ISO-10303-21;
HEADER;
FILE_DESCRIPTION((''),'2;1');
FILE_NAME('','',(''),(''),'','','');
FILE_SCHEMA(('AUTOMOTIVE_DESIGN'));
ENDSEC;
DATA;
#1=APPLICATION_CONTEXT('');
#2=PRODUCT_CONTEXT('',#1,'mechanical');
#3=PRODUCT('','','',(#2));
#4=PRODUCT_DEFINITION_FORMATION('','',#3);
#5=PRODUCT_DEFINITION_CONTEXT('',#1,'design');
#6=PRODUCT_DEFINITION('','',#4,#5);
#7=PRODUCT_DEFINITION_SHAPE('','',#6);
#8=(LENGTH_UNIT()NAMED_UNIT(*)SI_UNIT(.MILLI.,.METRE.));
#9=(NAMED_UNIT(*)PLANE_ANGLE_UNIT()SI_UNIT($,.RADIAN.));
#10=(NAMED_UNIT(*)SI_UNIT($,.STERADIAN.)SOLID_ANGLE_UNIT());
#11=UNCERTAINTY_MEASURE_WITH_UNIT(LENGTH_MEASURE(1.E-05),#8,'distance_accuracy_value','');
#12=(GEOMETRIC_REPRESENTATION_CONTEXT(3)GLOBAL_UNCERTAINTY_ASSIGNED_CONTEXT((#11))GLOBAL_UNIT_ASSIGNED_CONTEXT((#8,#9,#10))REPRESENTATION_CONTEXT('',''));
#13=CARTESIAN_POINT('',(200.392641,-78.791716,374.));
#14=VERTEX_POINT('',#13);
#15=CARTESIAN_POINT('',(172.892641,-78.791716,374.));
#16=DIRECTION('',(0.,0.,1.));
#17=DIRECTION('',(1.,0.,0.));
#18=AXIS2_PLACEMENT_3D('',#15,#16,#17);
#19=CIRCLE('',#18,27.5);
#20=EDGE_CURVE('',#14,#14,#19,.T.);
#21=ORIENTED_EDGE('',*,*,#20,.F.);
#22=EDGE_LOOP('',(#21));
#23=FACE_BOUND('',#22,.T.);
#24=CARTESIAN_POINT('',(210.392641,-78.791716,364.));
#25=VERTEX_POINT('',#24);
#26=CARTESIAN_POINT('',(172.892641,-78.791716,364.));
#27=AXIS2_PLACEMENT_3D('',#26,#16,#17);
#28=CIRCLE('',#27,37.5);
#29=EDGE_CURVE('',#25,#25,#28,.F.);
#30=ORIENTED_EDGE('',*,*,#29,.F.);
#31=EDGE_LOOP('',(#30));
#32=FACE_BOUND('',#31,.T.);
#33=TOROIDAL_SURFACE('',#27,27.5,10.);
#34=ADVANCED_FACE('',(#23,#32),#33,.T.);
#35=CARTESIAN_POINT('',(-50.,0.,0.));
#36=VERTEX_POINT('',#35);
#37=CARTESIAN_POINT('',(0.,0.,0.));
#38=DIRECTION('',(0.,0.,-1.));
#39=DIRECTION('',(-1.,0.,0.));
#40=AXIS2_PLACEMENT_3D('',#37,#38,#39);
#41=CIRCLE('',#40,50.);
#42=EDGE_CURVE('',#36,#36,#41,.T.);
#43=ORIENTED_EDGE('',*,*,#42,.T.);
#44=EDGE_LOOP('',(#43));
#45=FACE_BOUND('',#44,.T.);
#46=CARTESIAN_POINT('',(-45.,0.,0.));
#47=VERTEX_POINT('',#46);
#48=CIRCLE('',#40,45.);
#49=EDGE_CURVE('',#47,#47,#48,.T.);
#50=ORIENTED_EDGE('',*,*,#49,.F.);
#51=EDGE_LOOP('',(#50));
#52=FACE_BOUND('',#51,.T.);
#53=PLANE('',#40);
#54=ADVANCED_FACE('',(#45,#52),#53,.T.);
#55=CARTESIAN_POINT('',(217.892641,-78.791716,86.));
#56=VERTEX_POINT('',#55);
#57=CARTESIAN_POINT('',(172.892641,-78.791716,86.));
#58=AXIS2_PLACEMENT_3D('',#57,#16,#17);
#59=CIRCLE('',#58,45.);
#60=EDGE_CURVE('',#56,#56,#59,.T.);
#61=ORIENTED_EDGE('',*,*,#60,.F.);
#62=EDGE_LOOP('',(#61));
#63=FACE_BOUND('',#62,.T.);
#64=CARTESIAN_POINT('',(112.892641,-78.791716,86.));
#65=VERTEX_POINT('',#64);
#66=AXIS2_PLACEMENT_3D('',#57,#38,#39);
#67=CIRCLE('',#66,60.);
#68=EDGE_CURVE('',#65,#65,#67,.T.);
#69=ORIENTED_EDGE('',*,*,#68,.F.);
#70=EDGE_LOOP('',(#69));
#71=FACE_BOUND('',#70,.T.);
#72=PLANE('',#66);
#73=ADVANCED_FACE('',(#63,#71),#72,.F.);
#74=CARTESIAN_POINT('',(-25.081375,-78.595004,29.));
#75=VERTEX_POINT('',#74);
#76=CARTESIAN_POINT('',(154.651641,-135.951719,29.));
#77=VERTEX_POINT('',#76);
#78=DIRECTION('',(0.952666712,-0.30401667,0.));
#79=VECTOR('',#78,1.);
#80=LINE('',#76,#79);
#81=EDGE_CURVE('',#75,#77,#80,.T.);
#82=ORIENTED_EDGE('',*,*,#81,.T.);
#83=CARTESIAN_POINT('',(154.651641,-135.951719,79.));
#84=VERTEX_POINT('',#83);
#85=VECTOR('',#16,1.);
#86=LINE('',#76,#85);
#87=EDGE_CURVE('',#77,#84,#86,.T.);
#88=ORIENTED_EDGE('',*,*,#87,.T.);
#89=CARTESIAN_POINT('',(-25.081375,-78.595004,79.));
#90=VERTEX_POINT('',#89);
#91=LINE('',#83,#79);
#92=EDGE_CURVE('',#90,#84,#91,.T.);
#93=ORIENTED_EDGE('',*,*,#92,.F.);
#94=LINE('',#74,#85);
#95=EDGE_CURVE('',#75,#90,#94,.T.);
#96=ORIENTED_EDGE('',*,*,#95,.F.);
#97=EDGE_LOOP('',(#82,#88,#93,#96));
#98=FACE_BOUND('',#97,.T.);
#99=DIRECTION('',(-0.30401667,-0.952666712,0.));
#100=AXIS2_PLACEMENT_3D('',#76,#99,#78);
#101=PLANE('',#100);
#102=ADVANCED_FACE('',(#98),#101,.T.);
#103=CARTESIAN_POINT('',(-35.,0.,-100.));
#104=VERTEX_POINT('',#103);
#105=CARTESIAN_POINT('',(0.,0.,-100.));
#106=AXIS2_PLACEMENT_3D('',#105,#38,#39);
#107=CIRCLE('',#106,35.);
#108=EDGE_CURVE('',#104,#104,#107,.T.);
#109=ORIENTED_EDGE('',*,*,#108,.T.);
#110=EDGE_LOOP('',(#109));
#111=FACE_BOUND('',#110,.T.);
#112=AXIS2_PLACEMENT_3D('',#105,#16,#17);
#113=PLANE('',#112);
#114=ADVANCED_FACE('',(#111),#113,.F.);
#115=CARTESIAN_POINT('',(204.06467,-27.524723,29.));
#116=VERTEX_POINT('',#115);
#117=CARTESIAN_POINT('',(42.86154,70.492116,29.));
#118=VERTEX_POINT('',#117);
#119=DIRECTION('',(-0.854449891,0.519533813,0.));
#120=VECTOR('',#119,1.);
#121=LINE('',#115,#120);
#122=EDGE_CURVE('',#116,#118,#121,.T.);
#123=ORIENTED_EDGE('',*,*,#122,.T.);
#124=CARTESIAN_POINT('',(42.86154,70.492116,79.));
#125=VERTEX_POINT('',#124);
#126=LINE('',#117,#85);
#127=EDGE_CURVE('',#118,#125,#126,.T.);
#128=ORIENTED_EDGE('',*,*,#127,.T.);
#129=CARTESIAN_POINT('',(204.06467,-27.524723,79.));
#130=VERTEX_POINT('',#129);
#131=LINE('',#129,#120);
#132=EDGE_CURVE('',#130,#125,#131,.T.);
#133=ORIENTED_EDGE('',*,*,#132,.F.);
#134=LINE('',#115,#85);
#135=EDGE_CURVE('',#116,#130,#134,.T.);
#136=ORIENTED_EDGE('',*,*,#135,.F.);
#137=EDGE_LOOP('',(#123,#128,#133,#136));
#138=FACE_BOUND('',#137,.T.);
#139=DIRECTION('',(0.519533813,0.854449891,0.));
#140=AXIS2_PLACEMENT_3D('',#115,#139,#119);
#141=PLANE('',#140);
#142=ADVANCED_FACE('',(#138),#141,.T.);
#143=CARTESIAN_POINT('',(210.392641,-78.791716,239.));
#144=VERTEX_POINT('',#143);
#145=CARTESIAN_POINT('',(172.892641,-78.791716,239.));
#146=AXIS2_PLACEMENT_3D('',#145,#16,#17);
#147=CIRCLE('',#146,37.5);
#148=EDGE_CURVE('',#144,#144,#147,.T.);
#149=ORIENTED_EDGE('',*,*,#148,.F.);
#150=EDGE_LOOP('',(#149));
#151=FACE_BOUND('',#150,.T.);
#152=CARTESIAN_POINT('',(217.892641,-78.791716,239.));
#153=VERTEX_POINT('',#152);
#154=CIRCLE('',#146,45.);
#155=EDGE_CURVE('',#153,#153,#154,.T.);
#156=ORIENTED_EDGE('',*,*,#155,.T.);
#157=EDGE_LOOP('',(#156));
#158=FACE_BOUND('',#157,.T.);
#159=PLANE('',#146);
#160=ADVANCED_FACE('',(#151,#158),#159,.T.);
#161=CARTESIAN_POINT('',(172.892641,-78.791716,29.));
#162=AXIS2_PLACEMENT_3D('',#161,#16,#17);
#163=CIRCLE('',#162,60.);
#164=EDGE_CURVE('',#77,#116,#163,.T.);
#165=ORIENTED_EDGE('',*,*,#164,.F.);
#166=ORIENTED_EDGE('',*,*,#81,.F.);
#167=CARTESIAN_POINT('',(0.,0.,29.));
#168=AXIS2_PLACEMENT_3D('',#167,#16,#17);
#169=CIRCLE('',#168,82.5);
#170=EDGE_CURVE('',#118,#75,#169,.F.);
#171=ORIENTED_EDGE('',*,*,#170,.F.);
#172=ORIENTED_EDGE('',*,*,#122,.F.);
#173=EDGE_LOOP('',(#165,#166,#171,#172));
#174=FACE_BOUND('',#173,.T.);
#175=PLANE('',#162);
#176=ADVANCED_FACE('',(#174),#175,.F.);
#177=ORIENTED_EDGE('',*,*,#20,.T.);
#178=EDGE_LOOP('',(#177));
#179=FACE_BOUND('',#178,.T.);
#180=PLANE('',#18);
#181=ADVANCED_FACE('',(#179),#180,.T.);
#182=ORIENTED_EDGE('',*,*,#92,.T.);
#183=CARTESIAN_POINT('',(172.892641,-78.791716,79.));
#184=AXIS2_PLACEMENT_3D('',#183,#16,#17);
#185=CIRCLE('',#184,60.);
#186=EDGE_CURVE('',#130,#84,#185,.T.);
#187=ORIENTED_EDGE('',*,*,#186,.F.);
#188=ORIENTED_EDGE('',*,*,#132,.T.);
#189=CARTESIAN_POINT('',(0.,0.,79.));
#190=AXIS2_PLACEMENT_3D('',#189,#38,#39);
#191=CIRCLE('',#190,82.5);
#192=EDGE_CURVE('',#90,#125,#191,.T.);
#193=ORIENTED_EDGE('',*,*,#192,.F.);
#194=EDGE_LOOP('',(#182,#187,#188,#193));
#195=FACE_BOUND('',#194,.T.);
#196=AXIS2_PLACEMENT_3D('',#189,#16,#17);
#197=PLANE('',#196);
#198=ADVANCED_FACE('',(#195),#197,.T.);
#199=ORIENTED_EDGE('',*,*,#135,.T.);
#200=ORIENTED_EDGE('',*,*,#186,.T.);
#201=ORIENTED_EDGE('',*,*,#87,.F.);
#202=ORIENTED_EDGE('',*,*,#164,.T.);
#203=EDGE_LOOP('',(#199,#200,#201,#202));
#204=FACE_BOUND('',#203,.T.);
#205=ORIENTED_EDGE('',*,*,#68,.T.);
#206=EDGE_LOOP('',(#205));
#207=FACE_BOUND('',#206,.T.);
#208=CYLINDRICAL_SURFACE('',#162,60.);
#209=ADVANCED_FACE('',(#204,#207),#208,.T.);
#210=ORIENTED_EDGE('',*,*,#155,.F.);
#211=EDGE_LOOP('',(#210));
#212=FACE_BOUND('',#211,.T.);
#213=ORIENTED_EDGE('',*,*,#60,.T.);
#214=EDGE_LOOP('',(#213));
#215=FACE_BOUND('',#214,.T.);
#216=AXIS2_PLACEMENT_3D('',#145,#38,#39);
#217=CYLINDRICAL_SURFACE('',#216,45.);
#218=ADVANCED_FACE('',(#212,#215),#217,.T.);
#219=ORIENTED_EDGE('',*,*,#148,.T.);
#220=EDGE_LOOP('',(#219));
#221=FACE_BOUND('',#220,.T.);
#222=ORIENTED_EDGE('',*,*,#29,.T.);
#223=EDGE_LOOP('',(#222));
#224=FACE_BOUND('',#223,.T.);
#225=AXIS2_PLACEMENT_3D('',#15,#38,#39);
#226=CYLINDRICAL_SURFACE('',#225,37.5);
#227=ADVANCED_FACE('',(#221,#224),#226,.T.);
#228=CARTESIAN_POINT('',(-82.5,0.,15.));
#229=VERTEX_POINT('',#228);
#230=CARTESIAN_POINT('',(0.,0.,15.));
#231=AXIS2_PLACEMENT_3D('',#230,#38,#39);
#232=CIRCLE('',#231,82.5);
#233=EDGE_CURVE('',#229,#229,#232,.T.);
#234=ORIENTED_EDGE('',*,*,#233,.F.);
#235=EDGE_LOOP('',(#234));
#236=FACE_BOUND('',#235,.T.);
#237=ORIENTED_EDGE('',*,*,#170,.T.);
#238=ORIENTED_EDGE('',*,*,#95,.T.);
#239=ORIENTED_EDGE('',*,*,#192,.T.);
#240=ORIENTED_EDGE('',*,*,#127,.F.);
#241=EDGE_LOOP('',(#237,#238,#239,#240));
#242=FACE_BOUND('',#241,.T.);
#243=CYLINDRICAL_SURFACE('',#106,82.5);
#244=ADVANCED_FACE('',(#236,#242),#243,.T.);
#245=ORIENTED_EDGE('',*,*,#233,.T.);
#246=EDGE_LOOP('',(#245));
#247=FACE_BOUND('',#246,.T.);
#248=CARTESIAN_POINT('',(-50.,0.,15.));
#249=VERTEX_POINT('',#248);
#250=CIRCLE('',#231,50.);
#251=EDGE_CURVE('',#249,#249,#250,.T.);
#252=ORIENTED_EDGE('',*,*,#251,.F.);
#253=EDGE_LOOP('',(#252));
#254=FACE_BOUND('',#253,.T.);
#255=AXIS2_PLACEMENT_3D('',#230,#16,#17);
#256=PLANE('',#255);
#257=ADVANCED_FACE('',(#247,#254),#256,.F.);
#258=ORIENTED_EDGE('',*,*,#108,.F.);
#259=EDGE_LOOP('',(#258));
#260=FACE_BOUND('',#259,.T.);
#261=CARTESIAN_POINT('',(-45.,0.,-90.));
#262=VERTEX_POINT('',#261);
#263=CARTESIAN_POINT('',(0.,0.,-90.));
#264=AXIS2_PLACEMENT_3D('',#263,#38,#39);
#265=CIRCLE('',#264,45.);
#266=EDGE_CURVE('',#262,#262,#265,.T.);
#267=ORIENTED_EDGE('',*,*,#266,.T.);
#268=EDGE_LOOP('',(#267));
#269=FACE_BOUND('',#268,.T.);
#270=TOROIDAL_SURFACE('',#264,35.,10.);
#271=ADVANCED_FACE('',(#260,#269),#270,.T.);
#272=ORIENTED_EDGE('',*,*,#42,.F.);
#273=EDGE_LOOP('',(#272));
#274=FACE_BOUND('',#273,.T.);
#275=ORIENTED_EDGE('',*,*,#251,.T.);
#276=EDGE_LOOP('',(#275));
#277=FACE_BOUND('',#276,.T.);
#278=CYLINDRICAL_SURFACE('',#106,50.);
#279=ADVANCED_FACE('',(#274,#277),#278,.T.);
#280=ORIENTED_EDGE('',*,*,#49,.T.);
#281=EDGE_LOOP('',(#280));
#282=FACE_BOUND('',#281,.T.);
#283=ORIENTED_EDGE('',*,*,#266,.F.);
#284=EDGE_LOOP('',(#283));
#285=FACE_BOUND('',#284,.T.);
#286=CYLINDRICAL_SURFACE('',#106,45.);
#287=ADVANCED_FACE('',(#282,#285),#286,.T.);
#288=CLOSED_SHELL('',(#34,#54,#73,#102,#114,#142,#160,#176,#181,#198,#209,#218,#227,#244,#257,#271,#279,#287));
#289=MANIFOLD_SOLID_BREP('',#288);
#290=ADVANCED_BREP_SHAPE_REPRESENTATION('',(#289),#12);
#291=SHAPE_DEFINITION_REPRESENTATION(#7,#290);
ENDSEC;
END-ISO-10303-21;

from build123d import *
from build123d.topology import SkipClean

# Parameters (mm, degrees)
Y_KSEKLIK_EKSTR_ZYON1_DEPTH = 50
IZIM4_R                     = 60
Y_KSEKLIK_EKSTR_ZYON2_DEPTH = 57
IZIM5_R                     = 45
Y_KSEKLIK_EKSTR_ZYON3_DEPTH = 153
IZIM6_R                     = 37.5
Y_KSEKLIK_EKSTR_ZYON4_DEPTH = 135
RADYUS1_R                   = 10


with BuildPart() as part:
    # Çizim1 → Döndür1 (revolve)
    with BuildSketch(Plane(origin=(0, 0, 0), x_dir=(0, 0, -1), z_dir=(1, 0, 0)), mode=Mode.PRIVATE) as d_nd_r1_sk:
        with BuildLine():
            Line((0, 0), (100, 0))
            Line((100, 0), (100, 35))
            ThreePointArc((100, 35), (97.071067812, 42.071067812), (90, 45))
            Line((90, 45), (0, 45))
            Line((0, 45), (0, 0))
        make_face()
        Polygon((-15, 0), (0, 0), (0, 45), (0, 50), (-15, 50), align=None)
        Polygon((-79, 0), (-15, 0), (-15, 50), (-15, 82.5), (-79, 82.5), align=None)
    revolve(d_nd_r1_sk.sketch.rotate(Axis((0, 0, -100), (0, 0, 1)), 90), axis=Axis((0, 0, -100), (0, 0, 1)))

    # Çizim2 → Yükseklik-Ekstrüzyon1 (add)
    with BuildSketch(Plane.XY.offset(79)):
        with BuildLine():
            Line((204.064670252, -27.524722616), (42.86153958, 70.492116048))
            Line((42.86153958, 70.492116048), (-25.081375274, -78.595003749))
            Line((-25.081375274, -78.595003749), (154.651641268, -135.951718832))
            ThreePointArc((154.651641268, -135.951718832), (227.490317719, -103.673310664), (204.064670252, -27.524722616))
        make_face()
    extrude(amount=-Y_KSEKLIK_EKSTR_ZYON1_DEPTH)

    # Çizim4 → Yükseklik-Ekstrüzyon2 (add)
    with SkipClean():  # the faces are left unmerged after this step: merging them gives an invalid solid
        with BuildSketch(Plane(origin=(0, 0, 29), x_dir=(-1, 0, 0), z_dir=(0, 0, -1))):
            with Locations(Location((-172.892641467, -78.791716105, 0), (0, 0, 121.300985795))):
                Circle(IZIM4_R)
        extrude(amount=-Y_KSEKLIK_EKSTR_ZYON2_DEPTH)

    # Çizim5 → Yükseklik-Ekstrüzyon3 (add)
    with SkipClean():  # the faces are left unmerged after this step: merging them gives an invalid solid
        with BuildSketch(Plane.XY.offset(86)):
            with Locations((172.892641467, -78.791716105)):
                Circle(IZIM5_R)
        extrude(amount=Y_KSEKLIK_EKSTR_ZYON3_DEPTH)

    # Çizim6 → Yükseklik-Ekstrüzyon4 (add)
    with SkipClean():  # the faces are left unmerged after this step: merging them gives an invalid solid
        with BuildSketch(Plane.XY.offset(239)):
            with Locations((172.892641467, -78.791716105)):
                Circle(IZIM6_R)
        extrude(amount=Y_KSEKLIK_EKSTR_ZYON4_DEPTH)

    # Radyus1
    radyus1_edges = [part.edges().sort_by_distance(p)[0] for p in [
        (135.392641467, -78.791716105, 374),
    ]]
    fillet(radyus1_edges, radius=RADYUS1_R)


solid = part.part
